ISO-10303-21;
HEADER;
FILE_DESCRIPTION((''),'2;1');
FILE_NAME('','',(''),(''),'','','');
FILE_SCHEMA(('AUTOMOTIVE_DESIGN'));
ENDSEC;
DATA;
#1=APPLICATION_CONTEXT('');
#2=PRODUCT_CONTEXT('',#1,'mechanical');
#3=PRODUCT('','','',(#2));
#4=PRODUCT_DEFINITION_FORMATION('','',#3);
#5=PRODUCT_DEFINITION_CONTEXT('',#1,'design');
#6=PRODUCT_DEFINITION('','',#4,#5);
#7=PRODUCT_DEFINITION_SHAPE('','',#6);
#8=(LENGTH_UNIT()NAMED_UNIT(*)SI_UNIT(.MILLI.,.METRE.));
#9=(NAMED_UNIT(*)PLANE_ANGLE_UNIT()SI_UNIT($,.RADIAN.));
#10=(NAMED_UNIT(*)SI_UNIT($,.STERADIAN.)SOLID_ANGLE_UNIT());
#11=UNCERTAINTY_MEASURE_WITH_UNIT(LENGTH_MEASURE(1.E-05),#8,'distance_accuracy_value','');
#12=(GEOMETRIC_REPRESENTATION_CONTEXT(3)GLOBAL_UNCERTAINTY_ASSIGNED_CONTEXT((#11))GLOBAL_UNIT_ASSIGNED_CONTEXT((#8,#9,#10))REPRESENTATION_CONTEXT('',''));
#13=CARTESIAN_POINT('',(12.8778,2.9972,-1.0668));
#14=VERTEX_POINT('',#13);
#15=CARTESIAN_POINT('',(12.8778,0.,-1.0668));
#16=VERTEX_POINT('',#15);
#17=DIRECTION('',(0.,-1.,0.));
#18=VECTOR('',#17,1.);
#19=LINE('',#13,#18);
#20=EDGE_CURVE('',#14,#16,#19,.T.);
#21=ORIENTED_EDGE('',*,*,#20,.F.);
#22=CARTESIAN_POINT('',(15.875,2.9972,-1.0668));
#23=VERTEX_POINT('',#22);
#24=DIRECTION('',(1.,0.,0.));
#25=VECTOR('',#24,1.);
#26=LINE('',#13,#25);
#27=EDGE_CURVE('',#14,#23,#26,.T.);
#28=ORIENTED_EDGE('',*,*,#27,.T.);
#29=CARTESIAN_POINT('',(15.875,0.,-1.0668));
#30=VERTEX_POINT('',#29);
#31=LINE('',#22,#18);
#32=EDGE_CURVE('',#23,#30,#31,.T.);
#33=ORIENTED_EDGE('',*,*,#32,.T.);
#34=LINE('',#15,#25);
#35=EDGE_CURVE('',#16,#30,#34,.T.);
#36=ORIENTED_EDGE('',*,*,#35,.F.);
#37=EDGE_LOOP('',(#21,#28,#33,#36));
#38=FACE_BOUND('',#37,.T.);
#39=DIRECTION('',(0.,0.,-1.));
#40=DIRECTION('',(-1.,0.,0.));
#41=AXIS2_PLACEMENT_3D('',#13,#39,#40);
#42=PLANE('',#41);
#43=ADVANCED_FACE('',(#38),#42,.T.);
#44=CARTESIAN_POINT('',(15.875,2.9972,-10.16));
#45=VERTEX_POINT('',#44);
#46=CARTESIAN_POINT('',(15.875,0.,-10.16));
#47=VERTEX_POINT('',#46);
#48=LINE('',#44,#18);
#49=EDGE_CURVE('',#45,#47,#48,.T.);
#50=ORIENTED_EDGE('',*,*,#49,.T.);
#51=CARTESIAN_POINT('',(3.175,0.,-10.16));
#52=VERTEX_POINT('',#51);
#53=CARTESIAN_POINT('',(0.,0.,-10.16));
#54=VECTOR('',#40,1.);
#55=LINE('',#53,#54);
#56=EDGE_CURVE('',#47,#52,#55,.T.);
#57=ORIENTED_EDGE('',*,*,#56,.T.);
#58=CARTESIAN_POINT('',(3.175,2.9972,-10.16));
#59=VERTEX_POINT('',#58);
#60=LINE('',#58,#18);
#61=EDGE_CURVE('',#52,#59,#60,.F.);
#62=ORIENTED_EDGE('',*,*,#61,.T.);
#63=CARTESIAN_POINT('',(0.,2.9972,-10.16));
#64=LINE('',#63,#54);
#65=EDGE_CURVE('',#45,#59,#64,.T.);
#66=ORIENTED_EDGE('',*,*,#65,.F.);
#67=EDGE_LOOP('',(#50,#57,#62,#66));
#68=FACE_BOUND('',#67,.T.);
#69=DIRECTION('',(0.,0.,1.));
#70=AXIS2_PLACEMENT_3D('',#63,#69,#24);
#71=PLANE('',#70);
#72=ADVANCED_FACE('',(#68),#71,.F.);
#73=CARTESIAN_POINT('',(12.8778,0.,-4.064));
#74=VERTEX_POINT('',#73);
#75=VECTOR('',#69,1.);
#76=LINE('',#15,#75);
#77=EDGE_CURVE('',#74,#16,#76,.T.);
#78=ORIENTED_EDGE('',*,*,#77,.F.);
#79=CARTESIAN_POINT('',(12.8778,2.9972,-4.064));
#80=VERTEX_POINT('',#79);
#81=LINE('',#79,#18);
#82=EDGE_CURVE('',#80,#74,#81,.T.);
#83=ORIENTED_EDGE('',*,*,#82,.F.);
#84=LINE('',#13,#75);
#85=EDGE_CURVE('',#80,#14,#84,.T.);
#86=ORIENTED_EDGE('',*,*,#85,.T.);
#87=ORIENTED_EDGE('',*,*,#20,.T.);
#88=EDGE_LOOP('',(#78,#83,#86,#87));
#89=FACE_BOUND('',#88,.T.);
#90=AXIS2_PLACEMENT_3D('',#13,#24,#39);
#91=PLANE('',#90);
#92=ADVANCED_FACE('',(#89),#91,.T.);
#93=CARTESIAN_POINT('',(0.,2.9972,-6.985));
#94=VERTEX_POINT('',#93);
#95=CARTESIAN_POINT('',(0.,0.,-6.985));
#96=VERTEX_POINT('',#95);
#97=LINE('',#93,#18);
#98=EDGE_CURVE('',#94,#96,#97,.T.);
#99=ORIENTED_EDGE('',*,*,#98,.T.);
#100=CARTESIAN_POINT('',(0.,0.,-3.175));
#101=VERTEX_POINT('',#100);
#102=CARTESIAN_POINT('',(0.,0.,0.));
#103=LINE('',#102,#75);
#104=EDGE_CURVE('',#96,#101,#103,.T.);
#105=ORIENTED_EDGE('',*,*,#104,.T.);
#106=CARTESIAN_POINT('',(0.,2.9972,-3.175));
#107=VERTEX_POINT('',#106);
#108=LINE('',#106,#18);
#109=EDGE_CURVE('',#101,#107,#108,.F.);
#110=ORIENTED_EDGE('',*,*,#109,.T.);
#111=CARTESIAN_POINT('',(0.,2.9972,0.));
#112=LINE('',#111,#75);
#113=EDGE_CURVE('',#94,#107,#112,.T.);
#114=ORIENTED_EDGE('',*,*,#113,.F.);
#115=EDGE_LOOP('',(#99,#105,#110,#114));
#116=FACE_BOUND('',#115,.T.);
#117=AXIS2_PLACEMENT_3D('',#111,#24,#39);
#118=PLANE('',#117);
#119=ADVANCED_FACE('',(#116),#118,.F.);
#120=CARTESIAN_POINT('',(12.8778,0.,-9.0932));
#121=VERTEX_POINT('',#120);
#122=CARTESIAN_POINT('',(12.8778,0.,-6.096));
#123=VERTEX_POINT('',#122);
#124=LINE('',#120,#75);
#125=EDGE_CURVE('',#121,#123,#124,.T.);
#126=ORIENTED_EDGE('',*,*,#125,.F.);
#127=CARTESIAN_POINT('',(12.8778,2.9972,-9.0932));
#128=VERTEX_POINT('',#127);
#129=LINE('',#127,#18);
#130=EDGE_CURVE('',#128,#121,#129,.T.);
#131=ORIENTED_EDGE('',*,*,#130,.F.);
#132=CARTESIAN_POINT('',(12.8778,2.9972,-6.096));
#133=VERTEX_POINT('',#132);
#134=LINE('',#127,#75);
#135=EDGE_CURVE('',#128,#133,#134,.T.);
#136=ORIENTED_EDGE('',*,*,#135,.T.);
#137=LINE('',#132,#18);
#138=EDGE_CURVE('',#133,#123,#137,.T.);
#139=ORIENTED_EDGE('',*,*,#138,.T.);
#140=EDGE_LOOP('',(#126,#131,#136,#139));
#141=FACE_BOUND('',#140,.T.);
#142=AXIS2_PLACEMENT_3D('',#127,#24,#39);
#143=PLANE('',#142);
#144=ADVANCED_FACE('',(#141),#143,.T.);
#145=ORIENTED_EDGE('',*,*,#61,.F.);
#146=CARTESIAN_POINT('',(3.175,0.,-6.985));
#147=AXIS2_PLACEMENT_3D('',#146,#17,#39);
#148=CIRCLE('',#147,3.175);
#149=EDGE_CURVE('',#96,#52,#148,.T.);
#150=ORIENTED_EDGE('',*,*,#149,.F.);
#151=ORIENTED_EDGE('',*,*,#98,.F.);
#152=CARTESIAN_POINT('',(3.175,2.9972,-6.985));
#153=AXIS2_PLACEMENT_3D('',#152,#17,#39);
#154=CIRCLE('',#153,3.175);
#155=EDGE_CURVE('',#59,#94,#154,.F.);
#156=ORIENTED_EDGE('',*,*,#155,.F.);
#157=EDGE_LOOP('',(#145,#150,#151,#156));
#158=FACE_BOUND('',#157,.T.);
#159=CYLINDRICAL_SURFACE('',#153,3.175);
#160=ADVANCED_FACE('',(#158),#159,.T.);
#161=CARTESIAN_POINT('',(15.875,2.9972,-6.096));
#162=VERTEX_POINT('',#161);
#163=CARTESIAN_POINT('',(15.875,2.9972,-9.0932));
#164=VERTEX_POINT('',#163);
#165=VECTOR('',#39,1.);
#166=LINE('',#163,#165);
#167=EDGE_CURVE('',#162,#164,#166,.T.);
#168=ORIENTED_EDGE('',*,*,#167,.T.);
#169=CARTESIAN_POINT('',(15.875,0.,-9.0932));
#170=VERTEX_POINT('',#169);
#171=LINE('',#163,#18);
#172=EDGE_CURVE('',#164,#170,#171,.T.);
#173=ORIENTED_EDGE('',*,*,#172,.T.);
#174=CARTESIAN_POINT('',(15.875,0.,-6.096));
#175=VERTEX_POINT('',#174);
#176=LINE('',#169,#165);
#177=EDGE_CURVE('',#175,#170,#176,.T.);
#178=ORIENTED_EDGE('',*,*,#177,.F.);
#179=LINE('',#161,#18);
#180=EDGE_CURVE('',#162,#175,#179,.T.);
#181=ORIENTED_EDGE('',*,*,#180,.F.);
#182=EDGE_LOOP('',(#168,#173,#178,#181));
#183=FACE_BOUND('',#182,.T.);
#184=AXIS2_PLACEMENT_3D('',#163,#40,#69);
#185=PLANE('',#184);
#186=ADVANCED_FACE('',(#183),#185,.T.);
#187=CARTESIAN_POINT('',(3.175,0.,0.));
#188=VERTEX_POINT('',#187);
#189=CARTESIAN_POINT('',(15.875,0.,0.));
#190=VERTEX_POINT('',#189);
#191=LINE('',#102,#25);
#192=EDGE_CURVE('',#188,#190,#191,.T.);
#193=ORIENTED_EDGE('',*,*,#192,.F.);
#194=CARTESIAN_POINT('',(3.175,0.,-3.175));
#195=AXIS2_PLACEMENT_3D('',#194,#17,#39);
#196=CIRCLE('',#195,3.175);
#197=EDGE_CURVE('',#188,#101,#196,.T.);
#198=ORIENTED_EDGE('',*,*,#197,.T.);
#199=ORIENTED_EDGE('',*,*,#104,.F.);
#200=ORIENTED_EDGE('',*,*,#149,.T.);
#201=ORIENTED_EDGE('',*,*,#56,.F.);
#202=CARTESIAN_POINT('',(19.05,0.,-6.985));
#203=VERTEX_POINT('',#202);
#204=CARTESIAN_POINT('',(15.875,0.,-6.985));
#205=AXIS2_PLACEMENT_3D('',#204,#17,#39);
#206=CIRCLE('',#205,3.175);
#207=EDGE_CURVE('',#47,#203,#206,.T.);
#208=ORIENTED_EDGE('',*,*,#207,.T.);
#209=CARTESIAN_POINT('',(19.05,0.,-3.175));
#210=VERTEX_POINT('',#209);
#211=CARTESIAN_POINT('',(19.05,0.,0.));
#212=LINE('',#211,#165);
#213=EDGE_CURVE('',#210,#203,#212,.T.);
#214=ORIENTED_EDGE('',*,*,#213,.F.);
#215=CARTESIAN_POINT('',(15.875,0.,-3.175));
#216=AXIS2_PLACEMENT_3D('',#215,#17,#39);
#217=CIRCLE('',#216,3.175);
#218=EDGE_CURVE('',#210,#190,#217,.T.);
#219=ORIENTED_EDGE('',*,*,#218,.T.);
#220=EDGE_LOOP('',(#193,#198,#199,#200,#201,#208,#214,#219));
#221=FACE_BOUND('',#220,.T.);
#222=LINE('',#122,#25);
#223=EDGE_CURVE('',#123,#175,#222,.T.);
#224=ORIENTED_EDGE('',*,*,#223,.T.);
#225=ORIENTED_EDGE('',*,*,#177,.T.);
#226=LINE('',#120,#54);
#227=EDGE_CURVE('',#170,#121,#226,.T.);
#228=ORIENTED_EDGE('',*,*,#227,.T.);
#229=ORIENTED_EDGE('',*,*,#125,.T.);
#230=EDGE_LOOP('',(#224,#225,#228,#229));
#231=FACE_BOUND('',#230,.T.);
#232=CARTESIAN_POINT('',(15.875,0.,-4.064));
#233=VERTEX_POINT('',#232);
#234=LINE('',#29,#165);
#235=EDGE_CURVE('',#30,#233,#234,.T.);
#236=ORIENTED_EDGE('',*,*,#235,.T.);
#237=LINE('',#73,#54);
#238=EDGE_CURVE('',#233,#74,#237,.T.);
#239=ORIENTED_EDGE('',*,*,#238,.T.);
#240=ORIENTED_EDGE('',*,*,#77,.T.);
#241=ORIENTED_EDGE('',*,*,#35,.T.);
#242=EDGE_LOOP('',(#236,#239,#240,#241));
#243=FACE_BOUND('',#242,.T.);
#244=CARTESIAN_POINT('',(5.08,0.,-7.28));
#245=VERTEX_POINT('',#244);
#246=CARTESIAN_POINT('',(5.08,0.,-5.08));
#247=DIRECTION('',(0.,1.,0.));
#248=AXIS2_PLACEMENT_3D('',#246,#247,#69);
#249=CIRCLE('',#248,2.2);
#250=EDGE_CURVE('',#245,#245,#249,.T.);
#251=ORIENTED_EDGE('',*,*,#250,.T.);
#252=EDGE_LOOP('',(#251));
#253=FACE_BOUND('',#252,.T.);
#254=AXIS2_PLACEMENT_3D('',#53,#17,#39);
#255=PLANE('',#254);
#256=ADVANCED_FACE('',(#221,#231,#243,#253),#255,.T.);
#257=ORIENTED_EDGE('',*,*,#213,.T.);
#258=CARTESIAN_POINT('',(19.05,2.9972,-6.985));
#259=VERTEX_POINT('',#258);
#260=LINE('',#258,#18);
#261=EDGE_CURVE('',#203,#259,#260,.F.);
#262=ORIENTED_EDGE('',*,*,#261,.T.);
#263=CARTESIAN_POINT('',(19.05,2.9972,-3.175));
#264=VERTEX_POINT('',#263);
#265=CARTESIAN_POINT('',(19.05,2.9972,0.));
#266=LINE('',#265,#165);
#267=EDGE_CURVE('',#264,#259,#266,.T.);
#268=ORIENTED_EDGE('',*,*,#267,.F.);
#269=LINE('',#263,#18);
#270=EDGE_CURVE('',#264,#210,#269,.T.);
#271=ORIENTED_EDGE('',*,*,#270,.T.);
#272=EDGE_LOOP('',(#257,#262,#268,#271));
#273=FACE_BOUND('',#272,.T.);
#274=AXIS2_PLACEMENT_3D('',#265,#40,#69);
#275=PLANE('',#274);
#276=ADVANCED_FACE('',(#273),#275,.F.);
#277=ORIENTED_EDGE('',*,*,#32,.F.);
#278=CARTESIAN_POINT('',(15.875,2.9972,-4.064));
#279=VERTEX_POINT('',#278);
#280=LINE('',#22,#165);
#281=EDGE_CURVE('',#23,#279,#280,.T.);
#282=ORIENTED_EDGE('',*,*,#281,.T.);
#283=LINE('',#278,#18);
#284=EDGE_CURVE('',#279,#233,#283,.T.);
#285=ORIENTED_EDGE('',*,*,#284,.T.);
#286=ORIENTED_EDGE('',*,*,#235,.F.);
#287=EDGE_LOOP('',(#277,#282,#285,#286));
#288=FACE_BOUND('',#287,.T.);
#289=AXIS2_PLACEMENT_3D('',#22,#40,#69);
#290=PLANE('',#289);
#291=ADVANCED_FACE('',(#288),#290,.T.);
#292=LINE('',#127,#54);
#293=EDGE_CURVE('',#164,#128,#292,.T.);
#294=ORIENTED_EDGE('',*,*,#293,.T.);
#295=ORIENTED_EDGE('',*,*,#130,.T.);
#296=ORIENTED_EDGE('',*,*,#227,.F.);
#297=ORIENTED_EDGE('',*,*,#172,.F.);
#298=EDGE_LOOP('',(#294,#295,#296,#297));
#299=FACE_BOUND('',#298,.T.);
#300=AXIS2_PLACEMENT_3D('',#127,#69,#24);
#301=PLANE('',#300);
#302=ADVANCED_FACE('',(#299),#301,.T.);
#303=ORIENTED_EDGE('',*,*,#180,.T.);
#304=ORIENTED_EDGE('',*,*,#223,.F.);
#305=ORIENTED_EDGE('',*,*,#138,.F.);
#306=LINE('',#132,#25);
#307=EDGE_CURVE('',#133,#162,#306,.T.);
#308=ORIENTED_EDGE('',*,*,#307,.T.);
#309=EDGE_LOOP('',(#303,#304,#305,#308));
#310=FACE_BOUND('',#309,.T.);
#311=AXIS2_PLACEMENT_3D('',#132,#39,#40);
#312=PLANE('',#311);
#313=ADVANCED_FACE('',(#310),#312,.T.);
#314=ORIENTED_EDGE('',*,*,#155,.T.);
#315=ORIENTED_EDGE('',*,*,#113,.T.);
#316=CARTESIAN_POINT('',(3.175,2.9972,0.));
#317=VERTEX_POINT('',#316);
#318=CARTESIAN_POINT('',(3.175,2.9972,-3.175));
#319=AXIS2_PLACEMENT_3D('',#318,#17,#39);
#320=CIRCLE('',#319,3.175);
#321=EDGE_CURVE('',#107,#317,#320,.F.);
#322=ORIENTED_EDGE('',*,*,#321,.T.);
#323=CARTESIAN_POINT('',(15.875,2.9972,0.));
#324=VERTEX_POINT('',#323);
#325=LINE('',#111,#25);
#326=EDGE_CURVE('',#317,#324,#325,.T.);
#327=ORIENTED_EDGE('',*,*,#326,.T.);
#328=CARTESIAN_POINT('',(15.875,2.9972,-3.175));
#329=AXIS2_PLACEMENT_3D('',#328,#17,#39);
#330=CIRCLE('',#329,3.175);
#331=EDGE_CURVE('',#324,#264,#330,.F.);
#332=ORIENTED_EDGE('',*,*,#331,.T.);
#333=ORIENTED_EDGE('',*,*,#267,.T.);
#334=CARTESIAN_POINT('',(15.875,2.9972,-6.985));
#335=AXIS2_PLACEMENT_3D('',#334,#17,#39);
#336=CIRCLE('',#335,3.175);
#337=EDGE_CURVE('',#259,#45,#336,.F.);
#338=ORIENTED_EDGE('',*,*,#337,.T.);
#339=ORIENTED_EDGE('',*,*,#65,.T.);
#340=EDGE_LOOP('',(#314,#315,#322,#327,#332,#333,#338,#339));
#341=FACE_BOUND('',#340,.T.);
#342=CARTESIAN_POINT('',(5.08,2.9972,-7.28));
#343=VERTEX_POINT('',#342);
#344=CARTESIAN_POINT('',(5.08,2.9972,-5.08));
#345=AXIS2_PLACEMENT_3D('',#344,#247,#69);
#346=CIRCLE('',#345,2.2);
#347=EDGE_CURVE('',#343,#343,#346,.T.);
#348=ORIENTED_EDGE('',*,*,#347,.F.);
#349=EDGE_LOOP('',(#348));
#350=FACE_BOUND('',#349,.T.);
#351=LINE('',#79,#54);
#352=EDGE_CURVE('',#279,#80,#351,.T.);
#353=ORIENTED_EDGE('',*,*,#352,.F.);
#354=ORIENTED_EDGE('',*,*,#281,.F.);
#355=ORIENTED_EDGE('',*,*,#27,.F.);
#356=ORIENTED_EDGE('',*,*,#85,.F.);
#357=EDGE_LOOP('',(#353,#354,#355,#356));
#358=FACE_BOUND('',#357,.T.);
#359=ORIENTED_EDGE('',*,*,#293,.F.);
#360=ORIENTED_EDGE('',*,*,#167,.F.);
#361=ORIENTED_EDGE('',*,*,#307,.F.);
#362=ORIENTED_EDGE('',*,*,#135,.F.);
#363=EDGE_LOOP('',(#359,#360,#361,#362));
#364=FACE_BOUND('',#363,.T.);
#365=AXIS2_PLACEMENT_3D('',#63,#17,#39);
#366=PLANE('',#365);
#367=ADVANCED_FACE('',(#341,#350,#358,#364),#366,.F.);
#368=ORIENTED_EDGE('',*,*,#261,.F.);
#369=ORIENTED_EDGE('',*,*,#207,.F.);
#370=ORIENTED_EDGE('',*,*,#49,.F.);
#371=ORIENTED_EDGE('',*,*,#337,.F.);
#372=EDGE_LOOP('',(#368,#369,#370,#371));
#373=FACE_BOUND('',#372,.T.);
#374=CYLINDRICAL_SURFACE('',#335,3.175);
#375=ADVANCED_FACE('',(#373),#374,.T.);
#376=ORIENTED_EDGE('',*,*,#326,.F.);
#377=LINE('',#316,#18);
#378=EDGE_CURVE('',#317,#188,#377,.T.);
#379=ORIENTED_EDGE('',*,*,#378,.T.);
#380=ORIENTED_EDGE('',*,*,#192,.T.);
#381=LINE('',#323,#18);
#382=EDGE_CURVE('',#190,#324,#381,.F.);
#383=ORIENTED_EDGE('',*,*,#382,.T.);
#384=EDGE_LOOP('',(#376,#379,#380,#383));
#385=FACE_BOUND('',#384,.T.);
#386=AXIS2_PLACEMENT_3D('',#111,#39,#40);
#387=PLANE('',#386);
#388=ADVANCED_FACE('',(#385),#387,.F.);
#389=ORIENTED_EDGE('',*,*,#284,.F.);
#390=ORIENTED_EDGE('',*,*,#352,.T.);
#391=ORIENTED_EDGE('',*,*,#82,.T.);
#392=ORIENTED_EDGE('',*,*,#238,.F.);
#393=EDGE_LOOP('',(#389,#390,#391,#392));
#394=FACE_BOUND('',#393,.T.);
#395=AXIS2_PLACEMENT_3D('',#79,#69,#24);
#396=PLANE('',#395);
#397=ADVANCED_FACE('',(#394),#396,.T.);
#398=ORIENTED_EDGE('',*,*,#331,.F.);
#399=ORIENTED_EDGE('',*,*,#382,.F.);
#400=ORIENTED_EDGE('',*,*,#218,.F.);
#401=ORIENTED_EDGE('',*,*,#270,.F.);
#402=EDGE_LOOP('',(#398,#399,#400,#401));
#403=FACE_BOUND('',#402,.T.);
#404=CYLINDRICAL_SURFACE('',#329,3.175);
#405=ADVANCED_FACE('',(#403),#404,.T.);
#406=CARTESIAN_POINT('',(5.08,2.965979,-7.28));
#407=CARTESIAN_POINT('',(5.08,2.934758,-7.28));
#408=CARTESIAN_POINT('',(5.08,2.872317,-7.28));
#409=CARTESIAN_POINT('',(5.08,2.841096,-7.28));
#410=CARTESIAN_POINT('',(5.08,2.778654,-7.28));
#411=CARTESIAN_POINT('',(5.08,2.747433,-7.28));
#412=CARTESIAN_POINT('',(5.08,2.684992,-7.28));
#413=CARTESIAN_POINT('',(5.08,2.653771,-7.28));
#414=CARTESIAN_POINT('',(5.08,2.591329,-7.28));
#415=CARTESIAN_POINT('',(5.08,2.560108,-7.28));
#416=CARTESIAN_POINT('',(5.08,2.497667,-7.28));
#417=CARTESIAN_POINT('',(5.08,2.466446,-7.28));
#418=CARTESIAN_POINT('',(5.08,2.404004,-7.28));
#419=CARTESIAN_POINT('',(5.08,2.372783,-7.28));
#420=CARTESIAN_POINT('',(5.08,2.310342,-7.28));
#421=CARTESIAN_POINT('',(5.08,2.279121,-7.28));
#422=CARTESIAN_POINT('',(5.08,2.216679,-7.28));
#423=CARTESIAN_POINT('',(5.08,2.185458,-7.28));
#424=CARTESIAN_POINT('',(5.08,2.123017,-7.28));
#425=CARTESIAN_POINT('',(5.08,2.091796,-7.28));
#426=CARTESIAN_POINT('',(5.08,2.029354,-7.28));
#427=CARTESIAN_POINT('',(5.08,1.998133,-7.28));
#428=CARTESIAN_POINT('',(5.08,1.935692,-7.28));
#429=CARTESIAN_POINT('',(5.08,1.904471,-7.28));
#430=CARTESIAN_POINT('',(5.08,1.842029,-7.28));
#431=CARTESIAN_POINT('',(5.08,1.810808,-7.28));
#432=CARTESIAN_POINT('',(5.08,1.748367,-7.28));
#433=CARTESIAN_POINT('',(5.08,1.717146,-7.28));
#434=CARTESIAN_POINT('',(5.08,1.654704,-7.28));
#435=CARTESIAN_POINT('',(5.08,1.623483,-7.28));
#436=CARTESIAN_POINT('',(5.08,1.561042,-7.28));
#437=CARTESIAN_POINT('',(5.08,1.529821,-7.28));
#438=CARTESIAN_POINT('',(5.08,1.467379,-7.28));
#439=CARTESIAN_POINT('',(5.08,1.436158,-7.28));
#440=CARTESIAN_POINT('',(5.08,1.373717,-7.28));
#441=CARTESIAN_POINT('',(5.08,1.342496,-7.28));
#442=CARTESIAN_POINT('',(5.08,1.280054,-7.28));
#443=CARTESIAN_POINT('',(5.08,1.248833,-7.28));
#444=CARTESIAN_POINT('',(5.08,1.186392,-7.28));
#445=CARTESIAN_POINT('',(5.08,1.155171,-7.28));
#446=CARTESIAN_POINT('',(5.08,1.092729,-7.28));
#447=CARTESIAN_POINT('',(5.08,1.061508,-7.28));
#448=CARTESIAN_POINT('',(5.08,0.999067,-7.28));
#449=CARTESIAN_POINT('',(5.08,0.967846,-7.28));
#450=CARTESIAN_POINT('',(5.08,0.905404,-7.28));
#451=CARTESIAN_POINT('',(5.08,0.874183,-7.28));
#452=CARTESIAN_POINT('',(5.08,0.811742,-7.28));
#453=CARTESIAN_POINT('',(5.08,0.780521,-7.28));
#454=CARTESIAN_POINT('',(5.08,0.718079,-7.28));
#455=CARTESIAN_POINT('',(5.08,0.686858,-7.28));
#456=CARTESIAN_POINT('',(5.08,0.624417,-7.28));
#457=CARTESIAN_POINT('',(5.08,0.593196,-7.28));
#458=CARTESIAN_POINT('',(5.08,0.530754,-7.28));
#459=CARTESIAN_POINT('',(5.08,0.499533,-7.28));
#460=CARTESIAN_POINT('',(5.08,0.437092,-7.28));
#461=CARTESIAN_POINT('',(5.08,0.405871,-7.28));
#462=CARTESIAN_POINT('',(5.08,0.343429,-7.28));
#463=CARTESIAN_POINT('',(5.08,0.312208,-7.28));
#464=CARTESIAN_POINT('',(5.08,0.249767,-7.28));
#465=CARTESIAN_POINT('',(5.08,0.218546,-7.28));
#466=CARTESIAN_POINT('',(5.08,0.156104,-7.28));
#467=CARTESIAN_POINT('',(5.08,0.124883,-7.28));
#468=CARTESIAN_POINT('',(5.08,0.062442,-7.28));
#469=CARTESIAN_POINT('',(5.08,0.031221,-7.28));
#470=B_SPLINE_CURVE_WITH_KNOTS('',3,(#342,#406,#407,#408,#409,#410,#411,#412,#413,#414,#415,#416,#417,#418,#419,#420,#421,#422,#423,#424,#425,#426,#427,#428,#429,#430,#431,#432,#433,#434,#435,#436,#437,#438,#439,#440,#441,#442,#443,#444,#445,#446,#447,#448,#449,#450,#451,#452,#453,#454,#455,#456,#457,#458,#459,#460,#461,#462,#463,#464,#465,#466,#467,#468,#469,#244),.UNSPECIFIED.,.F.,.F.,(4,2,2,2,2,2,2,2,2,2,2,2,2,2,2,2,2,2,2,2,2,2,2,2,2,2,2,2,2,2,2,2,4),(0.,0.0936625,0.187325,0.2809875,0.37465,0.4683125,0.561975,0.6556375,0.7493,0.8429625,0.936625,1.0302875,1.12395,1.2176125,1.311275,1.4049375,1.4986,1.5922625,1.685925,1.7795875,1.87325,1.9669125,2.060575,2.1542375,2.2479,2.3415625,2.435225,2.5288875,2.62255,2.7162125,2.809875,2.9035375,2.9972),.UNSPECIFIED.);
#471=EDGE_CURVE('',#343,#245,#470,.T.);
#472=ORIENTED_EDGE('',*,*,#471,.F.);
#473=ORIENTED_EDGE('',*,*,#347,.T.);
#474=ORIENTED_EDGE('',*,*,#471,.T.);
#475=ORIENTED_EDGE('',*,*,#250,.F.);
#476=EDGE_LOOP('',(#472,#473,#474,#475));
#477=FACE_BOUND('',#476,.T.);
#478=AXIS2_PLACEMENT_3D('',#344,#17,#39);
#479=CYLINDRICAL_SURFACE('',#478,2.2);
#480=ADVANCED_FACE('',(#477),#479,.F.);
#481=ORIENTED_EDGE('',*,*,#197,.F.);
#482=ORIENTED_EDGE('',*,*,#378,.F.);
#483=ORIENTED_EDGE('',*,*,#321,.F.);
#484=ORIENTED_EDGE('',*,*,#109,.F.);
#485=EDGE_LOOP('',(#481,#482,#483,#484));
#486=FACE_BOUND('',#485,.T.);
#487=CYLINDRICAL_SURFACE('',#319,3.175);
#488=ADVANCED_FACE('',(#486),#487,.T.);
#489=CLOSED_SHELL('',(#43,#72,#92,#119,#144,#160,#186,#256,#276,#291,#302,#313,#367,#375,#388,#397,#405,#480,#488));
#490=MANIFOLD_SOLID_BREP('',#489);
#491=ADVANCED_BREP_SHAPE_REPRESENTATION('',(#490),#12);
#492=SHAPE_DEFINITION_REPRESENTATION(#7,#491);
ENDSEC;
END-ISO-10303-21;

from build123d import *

# Parameters (mm, degrees)
SKETCH1_W           = 19.05
SKETCH1_H           = 10.16
SKETCH1_R           = 2.2
SKETCH1_W_2         = 2.9972
SKETCH1_H_2         = 2.9972
BOSS_EXTRUDE1_DEPTH = 2.9972
FILLET1_R           = 3.175


with BuildPart() as part:
    # Sketch1 → Boss-Extrude1 (new body)
    with BuildSketch(Plane(origin=(0, 0, 0), x_dir=(1, 0, 0), z_dir=(0, 1, 0))):
        with Locations((9.525, 5.08)):
            Rectangle(SKETCH1_W, SKETCH1_H)
        with Locations(Location((5.08, 5.08, 0), (0, 0, 90))):
            Circle(SKETCH1_R, mode=Mode.SUBTRACT)
        with Locations((14.3764, 2.5654)):
            Rectangle(SKETCH1_W_2, SKETCH1_H_2, mode=Mode.SUBTRACT)
        with Locations((14.3764, 7.5946)):
            Rectangle(SKETCH1_W_2, SKETCH1_H_2, mode=Mode.SUBTRACT)
    extrude(amount=BOSS_EXTRUDE1_DEPTH)

    # Fillet1
    fillet1_edges = [part.edges().sort_by_distance(p)[0] for p in [
        (0, 1.4986, -10.16),
        (19.05, 1.4986, -10.16),
        (19.05, 1.4986, 0),
        (0, 1.4986, 0),
    ]]
    fillet(fillet1_edges, radius=FILLET1_R)


solid = part.part
